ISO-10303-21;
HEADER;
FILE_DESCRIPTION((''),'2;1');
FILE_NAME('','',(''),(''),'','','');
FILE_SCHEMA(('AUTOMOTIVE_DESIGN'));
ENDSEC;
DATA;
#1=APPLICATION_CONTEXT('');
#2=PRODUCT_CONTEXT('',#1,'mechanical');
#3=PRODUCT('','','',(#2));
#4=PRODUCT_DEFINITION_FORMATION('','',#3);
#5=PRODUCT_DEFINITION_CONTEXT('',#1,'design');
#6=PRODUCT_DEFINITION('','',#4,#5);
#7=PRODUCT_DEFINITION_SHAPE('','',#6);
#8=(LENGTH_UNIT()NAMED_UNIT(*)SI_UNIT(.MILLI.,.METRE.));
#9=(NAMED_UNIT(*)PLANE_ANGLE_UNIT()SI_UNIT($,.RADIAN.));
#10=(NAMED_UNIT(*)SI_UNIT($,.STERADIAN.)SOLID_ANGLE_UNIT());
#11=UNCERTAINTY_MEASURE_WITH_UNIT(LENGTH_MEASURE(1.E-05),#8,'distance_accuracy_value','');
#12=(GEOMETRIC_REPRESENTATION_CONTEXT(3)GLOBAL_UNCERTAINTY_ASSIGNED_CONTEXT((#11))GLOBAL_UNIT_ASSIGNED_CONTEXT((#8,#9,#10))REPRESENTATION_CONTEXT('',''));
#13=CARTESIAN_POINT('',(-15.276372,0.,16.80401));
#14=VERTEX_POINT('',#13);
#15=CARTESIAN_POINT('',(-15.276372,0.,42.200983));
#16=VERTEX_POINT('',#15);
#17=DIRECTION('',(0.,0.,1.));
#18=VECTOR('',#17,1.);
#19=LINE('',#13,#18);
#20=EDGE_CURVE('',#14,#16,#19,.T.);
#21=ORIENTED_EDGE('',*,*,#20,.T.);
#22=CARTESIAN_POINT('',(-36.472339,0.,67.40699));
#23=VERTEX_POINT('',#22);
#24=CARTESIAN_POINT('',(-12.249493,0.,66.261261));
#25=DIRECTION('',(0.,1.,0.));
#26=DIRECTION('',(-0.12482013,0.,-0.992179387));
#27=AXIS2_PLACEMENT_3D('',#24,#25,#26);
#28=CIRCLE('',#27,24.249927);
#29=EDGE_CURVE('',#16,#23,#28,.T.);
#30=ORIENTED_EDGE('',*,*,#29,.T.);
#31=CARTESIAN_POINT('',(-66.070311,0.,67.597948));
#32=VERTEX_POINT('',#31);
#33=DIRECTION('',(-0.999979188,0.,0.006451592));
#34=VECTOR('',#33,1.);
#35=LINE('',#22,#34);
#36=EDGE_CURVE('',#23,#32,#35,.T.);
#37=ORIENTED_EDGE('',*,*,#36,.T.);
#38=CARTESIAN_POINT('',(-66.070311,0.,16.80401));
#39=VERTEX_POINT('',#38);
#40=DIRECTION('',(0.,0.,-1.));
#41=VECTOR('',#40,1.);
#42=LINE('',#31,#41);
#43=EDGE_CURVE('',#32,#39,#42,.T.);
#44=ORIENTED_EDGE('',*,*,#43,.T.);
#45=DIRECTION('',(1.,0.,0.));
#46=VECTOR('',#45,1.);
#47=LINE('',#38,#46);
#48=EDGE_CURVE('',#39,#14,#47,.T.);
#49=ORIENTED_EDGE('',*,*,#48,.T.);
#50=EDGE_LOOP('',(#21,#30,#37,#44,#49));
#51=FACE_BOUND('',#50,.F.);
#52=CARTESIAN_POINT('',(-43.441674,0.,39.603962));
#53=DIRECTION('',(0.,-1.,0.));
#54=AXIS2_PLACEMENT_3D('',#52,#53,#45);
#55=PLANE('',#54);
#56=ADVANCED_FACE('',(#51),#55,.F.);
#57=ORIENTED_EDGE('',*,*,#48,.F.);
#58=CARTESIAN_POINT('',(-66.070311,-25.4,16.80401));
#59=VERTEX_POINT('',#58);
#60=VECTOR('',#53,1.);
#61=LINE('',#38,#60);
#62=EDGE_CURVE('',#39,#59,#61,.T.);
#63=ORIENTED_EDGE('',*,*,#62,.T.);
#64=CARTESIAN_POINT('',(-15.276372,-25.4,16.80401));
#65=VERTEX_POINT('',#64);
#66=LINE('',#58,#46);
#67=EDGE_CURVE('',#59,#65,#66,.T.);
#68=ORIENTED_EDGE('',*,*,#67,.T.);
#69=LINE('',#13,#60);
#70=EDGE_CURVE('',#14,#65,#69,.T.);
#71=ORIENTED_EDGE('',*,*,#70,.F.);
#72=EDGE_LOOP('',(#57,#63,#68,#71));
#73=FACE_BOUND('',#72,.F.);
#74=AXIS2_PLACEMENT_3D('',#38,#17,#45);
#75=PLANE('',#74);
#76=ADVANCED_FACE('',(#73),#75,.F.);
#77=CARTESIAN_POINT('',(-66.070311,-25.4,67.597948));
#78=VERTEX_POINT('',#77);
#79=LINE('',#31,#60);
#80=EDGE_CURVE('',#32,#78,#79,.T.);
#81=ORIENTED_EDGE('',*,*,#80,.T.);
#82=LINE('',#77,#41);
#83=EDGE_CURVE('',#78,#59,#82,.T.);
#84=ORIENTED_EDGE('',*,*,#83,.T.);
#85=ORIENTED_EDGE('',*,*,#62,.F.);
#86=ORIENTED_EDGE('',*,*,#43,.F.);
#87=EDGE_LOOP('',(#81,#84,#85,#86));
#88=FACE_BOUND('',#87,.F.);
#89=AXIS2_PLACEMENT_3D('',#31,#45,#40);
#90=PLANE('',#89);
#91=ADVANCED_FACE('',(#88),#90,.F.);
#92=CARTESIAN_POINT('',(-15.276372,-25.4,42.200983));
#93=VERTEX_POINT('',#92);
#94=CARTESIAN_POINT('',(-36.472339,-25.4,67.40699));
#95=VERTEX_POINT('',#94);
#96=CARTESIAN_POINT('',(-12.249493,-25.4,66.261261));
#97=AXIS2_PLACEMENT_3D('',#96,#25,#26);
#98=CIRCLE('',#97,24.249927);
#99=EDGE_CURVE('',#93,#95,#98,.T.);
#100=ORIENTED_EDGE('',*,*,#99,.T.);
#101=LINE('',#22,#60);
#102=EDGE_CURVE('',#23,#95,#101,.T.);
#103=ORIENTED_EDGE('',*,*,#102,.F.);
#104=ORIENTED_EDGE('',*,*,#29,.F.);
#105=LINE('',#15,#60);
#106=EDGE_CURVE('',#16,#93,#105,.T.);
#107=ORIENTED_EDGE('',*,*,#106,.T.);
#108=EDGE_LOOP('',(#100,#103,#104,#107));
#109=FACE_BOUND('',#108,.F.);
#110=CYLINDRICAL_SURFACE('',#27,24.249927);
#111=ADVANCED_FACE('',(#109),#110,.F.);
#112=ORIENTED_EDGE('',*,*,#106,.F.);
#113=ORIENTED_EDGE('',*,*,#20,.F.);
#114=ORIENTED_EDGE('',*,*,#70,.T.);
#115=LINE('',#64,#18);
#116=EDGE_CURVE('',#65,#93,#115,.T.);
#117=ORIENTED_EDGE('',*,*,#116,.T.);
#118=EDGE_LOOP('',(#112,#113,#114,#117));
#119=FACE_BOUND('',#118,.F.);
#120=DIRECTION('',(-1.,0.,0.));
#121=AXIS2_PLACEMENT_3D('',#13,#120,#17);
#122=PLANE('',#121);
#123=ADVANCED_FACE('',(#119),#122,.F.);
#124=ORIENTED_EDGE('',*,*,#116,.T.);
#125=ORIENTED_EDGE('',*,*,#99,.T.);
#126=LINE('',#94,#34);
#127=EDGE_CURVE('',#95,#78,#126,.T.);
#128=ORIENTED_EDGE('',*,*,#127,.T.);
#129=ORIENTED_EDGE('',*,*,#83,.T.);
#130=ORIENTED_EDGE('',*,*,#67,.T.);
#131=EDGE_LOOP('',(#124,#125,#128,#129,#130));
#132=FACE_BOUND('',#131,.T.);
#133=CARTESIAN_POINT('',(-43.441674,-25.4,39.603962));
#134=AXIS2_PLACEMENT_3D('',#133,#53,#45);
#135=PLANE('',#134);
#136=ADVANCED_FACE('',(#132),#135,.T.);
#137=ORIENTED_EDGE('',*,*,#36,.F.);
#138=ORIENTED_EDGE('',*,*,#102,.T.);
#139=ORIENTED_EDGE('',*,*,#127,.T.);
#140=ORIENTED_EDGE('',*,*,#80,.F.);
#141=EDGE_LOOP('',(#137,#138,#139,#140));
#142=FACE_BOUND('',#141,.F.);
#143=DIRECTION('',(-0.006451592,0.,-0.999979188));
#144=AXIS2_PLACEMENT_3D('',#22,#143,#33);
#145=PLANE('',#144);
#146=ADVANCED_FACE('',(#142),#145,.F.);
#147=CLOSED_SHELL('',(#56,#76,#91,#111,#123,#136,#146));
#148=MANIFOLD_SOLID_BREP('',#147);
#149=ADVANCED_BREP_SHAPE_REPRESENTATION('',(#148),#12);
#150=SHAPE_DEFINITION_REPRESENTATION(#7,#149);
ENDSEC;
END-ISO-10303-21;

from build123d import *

# Parameters (mm, degrees)
F1_DEPTH = 25.4


with BuildPart() as f1:
    # F0 (on Front) → F1 (new body)
    with BuildSketch(Plane.XZ):
        with BuildLine():
            Line((-36.472339, 67.40699), (-66.070311, 67.597948))
            Line((-66.070311, 67.597948), (-66.070311, 16.80401))
            Line((-66.070311, 16.80401), (-15.276372, 16.80401))
            Line((-15.276372, 16.80401), (-15.276372, 42.200983))
            ThreePointArc((-15.276372, 42.200983), (-30.809465, 50.654006), (-36.472339, 67.40699))
        make_face()
    extrude(amount=F1_DEPTH)


solid = f1.part
